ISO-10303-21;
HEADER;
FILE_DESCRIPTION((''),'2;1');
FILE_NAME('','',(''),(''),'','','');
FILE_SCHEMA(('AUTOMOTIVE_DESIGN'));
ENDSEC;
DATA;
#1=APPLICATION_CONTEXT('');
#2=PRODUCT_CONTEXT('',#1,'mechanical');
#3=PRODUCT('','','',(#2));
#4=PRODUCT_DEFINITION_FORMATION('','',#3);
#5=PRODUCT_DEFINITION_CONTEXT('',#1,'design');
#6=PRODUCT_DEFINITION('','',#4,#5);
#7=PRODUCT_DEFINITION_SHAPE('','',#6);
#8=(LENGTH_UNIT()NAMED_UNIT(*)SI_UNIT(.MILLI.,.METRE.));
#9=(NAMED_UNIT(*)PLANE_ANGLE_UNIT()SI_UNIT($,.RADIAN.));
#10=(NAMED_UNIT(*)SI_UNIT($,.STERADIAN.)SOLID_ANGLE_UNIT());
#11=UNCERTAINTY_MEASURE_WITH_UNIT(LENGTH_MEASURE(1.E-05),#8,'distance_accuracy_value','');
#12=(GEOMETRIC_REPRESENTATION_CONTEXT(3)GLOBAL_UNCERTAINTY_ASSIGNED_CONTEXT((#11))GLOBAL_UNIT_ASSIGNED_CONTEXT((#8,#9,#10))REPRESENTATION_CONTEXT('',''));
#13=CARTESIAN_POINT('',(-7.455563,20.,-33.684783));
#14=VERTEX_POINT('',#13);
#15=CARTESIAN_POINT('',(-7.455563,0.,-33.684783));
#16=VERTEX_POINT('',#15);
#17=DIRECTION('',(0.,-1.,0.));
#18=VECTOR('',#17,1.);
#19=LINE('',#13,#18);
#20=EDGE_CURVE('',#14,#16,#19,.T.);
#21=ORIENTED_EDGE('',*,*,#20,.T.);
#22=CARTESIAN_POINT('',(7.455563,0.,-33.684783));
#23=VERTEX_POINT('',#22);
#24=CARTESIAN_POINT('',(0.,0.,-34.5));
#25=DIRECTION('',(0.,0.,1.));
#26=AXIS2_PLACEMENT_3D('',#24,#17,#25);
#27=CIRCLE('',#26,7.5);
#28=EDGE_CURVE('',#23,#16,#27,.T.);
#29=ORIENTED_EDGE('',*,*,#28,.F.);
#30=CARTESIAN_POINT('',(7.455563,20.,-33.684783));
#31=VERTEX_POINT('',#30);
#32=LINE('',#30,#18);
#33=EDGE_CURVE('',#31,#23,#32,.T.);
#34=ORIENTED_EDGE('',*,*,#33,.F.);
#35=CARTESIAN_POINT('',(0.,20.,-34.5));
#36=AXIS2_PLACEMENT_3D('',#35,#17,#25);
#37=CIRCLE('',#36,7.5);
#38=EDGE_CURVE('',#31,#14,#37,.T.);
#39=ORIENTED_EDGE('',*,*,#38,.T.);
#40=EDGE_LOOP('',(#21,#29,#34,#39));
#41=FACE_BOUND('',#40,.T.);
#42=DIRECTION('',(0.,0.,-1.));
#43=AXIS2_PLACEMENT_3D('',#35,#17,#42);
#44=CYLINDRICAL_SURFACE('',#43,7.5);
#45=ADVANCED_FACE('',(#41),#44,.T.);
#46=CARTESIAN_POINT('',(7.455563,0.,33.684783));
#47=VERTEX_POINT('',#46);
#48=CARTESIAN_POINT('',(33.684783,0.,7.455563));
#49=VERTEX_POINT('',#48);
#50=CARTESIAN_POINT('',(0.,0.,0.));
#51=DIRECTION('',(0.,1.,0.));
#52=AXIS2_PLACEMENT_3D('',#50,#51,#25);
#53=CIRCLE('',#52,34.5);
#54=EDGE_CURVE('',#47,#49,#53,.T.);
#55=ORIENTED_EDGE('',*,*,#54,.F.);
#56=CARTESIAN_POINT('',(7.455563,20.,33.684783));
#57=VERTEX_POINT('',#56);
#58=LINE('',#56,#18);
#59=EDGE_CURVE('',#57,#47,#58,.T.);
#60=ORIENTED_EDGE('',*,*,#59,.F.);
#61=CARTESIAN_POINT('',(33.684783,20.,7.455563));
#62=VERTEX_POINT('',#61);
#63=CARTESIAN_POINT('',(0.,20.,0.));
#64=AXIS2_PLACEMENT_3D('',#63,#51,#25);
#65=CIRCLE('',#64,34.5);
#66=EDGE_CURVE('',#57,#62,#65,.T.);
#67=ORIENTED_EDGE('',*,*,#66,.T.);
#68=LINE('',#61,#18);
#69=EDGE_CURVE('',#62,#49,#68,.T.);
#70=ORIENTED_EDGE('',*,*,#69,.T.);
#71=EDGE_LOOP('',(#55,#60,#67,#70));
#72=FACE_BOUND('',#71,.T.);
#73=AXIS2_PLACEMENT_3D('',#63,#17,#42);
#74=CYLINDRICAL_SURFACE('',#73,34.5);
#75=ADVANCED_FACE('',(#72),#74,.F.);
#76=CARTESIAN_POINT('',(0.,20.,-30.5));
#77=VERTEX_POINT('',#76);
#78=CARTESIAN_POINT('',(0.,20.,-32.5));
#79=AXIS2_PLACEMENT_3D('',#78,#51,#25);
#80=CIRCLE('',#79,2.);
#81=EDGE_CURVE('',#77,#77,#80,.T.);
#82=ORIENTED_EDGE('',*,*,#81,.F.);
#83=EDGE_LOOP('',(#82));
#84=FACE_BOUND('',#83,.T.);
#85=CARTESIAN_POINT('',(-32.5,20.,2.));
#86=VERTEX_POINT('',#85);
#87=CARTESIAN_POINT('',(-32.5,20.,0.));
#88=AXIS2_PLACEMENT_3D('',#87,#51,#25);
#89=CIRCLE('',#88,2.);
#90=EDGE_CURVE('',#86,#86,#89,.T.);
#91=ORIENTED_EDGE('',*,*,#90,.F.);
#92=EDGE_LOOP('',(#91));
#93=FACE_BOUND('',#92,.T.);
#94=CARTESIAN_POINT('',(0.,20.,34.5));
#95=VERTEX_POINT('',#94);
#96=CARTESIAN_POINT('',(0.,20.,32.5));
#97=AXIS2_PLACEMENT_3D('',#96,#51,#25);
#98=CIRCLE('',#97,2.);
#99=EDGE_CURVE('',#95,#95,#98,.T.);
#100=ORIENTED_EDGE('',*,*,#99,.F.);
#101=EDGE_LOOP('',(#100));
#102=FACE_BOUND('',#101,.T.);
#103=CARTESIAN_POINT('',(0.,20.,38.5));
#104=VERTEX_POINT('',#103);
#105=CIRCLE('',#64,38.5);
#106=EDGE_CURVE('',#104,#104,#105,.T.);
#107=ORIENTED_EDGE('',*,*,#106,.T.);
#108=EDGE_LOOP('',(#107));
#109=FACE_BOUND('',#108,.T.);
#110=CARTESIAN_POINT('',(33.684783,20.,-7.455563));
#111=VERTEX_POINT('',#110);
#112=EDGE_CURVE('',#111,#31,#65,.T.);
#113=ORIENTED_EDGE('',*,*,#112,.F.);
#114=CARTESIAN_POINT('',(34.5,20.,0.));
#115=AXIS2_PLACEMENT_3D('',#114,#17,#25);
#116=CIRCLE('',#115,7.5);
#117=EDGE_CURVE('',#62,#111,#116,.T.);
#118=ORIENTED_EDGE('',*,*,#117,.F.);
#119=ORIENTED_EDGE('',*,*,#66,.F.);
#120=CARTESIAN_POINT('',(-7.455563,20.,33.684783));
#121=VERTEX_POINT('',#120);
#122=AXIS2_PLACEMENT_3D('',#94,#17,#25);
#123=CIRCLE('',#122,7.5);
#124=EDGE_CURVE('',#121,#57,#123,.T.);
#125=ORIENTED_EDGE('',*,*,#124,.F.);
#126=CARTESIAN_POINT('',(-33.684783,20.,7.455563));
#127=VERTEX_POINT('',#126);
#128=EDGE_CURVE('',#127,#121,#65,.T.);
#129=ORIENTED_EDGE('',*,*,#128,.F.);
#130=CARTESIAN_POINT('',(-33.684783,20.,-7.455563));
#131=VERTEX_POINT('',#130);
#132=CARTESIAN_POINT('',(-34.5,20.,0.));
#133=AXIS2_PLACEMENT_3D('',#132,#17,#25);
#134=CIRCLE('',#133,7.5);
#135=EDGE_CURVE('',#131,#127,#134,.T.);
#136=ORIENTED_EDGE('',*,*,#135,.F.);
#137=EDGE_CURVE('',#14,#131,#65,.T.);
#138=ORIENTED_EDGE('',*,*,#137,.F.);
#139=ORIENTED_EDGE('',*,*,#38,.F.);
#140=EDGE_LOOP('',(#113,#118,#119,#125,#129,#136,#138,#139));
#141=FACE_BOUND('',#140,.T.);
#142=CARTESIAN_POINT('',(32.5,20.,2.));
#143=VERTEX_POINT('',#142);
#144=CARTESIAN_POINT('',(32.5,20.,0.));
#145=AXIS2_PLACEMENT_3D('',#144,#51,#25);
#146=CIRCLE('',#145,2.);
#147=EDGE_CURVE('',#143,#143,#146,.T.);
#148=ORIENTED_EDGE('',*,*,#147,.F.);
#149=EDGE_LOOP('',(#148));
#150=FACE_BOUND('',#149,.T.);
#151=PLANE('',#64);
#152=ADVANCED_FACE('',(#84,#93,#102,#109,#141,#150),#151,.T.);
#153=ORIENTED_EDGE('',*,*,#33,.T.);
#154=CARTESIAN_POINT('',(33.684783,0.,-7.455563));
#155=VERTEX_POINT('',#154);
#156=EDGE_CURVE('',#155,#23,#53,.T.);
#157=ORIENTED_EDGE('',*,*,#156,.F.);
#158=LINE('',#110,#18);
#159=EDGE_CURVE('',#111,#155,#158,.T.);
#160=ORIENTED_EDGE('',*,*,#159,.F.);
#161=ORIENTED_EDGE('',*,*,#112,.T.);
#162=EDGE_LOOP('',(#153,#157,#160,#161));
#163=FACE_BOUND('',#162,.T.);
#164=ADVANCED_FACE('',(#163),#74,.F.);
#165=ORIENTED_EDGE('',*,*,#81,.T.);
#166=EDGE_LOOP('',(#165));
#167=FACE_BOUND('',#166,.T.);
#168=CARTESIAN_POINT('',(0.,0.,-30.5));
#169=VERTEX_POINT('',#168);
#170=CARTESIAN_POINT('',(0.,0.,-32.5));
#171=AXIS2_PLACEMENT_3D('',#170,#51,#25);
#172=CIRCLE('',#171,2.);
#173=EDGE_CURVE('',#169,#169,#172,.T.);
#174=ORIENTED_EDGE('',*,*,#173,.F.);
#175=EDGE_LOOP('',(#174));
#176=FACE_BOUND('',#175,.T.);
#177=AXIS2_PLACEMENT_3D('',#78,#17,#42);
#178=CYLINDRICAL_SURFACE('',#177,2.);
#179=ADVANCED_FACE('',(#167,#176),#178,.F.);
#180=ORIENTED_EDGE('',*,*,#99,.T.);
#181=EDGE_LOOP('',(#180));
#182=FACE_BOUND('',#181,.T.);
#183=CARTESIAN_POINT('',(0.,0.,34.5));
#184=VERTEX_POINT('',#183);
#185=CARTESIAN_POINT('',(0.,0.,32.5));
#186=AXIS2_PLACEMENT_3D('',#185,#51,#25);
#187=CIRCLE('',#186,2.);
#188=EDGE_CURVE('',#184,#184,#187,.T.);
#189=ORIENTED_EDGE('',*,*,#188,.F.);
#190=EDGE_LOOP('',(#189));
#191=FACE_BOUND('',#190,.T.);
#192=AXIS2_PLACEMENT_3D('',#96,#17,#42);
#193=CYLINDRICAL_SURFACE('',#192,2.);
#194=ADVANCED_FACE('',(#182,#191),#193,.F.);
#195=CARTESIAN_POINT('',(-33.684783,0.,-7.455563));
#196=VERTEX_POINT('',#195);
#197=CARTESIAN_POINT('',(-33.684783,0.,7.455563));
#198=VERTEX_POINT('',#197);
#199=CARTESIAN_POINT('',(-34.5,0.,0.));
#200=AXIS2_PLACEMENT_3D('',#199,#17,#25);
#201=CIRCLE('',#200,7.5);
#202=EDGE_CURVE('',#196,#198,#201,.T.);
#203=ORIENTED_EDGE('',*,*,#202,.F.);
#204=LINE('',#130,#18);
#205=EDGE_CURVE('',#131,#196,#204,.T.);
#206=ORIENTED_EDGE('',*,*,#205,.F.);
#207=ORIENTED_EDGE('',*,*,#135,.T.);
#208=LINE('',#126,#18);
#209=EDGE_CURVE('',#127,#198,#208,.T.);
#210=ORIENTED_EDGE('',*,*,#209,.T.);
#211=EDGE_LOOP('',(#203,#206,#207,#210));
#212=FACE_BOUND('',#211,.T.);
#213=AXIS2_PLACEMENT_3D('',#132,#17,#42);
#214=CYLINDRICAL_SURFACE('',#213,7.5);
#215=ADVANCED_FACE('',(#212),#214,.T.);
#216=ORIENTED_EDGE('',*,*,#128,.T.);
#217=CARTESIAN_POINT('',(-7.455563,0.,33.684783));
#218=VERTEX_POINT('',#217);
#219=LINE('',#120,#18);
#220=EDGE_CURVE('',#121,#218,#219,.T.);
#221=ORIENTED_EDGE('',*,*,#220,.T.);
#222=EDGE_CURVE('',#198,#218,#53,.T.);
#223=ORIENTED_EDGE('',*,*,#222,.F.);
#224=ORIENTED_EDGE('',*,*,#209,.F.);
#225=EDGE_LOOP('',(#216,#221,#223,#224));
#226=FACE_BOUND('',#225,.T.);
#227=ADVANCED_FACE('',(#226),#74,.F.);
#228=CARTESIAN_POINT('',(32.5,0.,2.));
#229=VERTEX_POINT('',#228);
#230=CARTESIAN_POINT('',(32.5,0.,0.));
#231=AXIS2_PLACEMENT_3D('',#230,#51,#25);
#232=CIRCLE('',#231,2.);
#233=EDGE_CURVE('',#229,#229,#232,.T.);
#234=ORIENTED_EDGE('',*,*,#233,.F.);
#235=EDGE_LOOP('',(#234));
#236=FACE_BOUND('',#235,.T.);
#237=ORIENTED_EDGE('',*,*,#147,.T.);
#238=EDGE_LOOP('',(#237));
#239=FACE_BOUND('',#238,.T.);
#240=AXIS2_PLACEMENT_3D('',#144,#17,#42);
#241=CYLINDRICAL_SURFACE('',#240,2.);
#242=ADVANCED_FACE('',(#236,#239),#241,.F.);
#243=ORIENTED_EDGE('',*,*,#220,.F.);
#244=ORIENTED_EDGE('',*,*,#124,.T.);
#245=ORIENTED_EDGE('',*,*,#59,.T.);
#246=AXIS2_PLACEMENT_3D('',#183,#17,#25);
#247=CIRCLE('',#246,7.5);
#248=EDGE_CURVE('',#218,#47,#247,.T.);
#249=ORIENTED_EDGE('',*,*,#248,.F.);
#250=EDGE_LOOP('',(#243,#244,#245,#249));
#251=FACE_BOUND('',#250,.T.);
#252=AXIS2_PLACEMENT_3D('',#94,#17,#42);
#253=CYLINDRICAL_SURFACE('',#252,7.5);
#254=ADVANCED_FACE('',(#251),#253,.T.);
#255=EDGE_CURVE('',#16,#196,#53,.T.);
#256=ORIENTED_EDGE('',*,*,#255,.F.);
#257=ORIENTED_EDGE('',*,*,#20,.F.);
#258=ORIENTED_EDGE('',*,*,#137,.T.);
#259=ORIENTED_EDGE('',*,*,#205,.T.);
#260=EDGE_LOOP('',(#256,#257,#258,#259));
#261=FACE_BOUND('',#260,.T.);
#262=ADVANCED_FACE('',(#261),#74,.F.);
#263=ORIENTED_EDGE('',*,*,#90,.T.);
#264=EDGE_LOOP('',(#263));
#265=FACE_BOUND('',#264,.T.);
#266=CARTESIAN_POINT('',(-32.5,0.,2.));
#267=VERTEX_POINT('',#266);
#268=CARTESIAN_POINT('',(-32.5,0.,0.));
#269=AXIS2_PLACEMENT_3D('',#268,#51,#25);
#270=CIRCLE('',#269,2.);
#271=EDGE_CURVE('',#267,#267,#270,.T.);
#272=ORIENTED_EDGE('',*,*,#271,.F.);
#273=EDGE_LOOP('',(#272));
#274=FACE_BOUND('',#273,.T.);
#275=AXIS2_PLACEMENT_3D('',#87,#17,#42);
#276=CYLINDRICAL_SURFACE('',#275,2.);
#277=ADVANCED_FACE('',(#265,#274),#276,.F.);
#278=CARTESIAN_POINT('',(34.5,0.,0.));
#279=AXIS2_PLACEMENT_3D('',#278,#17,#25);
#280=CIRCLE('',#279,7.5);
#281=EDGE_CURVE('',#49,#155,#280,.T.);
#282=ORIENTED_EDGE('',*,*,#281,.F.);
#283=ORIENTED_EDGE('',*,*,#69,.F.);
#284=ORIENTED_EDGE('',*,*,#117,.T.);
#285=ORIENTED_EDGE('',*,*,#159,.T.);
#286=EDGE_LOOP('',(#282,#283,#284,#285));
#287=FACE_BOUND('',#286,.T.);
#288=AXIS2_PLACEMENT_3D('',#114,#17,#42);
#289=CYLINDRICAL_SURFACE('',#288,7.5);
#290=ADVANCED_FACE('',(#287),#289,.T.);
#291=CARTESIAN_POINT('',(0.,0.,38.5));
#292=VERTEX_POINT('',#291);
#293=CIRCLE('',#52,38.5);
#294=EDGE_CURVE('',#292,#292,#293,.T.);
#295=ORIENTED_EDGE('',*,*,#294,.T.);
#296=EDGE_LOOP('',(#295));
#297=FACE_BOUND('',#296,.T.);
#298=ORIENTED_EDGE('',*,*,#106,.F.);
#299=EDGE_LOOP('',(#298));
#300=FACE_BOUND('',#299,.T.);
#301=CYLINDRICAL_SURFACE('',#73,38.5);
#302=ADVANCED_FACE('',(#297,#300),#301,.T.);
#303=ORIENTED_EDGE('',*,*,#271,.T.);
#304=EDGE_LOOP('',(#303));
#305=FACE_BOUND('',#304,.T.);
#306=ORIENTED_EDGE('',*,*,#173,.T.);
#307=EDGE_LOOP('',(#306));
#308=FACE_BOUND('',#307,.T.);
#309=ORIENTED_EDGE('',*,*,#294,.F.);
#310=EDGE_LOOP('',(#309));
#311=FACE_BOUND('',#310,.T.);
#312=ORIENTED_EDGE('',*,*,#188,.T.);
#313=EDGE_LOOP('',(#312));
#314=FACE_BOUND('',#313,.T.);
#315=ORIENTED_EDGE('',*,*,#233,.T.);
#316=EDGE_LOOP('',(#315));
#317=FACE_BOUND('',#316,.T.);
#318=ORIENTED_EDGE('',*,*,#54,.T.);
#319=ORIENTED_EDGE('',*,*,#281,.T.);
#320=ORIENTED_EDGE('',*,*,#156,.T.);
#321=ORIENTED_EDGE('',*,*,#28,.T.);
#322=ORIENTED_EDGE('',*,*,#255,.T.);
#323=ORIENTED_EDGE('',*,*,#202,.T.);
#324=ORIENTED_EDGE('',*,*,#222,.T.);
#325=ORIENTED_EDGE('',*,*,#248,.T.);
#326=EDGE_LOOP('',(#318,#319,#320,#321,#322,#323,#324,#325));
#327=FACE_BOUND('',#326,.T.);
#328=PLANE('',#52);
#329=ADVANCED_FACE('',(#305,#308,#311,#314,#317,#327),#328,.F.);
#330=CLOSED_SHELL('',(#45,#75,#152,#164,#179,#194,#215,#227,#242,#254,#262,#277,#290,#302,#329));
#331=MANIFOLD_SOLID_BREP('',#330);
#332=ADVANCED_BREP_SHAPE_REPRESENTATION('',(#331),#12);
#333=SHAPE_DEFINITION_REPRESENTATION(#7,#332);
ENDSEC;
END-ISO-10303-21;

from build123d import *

# Parameters (mm, degrees)
IZIM1_R                     = 38.5
IZIM1_R_2                   = 2
Y_KSEKLIK_EKSTR_ZYON1_DEPTH = 20


with BuildPart() as part:
    # Çizim1 → Yükseklik-Ekstrüzyon1 (new body)
    with BuildSketch(Plane(origin=(0, 0, 0), x_dir=(1, 0, 0), z_dir=(0, 1, 0))):
        with Locations(Location((0, 0, 0), (0, 0, 270))):
            Circle(IZIM1_R)
        with Locations(Location((0, 32.5, 0), (0, 0, 270))):
            Circle(IZIM1_R_2, mode=Mode.SUBTRACT)
        with Locations(Location((32.5, 0, 0), (0, 0, 270))):
            Circle(IZIM1_R_2, mode=Mode.SUBTRACT)
        with Locations(Location((0, -32.5, 0), (0, 0, 270))):
            Circle(IZIM1_R_2, mode=Mode.SUBTRACT)
        with Locations(Location((-32.5, 0, 0), (0, 0, 270))):
            Circle(IZIM1_R_2, mode=Mode.SUBTRACT)
        with BuildLine():
            ThreePointArc((-33.684782609, -7.455563064), (-24.395183951, -24.395183951), (-7.455563064, -33.684782609))
            ThreePointArc((-7.455563064, -33.684782609), (0, -27), (7.455563064, -33.684782609))
            ThreePointArc((7.455563064, -33.684782609), (24.395183951, -24.395183951), (33.684782609, -7.455563064))
            ThreePointArc((33.684782609, -7.455563064), (27, 0), (33.684782609, 7.455563064))
            ThreePointArc((33.684782609, 7.455563064), (24.395183951, 24.395183951), (7.455563064, 33.684782609))
            ThreePointArc((7.455563064, 33.684782609), (0, 27), (-7.455563064, 33.684782609))
            ThreePointArc((-7.455563064, 33.684782609), (-24.395183951, 24.395183951), (-33.684782609, 7.455563064))
            ThreePointArc((-33.684782609, 7.455563064), (-27, 0), (-33.684782609, -7.455563064))
        make_face(mode=Mode.SUBTRACT)
    extrude(amount=Y_KSEKLIK_EKSTR_ZYON1_DEPTH)


solid = part.part
